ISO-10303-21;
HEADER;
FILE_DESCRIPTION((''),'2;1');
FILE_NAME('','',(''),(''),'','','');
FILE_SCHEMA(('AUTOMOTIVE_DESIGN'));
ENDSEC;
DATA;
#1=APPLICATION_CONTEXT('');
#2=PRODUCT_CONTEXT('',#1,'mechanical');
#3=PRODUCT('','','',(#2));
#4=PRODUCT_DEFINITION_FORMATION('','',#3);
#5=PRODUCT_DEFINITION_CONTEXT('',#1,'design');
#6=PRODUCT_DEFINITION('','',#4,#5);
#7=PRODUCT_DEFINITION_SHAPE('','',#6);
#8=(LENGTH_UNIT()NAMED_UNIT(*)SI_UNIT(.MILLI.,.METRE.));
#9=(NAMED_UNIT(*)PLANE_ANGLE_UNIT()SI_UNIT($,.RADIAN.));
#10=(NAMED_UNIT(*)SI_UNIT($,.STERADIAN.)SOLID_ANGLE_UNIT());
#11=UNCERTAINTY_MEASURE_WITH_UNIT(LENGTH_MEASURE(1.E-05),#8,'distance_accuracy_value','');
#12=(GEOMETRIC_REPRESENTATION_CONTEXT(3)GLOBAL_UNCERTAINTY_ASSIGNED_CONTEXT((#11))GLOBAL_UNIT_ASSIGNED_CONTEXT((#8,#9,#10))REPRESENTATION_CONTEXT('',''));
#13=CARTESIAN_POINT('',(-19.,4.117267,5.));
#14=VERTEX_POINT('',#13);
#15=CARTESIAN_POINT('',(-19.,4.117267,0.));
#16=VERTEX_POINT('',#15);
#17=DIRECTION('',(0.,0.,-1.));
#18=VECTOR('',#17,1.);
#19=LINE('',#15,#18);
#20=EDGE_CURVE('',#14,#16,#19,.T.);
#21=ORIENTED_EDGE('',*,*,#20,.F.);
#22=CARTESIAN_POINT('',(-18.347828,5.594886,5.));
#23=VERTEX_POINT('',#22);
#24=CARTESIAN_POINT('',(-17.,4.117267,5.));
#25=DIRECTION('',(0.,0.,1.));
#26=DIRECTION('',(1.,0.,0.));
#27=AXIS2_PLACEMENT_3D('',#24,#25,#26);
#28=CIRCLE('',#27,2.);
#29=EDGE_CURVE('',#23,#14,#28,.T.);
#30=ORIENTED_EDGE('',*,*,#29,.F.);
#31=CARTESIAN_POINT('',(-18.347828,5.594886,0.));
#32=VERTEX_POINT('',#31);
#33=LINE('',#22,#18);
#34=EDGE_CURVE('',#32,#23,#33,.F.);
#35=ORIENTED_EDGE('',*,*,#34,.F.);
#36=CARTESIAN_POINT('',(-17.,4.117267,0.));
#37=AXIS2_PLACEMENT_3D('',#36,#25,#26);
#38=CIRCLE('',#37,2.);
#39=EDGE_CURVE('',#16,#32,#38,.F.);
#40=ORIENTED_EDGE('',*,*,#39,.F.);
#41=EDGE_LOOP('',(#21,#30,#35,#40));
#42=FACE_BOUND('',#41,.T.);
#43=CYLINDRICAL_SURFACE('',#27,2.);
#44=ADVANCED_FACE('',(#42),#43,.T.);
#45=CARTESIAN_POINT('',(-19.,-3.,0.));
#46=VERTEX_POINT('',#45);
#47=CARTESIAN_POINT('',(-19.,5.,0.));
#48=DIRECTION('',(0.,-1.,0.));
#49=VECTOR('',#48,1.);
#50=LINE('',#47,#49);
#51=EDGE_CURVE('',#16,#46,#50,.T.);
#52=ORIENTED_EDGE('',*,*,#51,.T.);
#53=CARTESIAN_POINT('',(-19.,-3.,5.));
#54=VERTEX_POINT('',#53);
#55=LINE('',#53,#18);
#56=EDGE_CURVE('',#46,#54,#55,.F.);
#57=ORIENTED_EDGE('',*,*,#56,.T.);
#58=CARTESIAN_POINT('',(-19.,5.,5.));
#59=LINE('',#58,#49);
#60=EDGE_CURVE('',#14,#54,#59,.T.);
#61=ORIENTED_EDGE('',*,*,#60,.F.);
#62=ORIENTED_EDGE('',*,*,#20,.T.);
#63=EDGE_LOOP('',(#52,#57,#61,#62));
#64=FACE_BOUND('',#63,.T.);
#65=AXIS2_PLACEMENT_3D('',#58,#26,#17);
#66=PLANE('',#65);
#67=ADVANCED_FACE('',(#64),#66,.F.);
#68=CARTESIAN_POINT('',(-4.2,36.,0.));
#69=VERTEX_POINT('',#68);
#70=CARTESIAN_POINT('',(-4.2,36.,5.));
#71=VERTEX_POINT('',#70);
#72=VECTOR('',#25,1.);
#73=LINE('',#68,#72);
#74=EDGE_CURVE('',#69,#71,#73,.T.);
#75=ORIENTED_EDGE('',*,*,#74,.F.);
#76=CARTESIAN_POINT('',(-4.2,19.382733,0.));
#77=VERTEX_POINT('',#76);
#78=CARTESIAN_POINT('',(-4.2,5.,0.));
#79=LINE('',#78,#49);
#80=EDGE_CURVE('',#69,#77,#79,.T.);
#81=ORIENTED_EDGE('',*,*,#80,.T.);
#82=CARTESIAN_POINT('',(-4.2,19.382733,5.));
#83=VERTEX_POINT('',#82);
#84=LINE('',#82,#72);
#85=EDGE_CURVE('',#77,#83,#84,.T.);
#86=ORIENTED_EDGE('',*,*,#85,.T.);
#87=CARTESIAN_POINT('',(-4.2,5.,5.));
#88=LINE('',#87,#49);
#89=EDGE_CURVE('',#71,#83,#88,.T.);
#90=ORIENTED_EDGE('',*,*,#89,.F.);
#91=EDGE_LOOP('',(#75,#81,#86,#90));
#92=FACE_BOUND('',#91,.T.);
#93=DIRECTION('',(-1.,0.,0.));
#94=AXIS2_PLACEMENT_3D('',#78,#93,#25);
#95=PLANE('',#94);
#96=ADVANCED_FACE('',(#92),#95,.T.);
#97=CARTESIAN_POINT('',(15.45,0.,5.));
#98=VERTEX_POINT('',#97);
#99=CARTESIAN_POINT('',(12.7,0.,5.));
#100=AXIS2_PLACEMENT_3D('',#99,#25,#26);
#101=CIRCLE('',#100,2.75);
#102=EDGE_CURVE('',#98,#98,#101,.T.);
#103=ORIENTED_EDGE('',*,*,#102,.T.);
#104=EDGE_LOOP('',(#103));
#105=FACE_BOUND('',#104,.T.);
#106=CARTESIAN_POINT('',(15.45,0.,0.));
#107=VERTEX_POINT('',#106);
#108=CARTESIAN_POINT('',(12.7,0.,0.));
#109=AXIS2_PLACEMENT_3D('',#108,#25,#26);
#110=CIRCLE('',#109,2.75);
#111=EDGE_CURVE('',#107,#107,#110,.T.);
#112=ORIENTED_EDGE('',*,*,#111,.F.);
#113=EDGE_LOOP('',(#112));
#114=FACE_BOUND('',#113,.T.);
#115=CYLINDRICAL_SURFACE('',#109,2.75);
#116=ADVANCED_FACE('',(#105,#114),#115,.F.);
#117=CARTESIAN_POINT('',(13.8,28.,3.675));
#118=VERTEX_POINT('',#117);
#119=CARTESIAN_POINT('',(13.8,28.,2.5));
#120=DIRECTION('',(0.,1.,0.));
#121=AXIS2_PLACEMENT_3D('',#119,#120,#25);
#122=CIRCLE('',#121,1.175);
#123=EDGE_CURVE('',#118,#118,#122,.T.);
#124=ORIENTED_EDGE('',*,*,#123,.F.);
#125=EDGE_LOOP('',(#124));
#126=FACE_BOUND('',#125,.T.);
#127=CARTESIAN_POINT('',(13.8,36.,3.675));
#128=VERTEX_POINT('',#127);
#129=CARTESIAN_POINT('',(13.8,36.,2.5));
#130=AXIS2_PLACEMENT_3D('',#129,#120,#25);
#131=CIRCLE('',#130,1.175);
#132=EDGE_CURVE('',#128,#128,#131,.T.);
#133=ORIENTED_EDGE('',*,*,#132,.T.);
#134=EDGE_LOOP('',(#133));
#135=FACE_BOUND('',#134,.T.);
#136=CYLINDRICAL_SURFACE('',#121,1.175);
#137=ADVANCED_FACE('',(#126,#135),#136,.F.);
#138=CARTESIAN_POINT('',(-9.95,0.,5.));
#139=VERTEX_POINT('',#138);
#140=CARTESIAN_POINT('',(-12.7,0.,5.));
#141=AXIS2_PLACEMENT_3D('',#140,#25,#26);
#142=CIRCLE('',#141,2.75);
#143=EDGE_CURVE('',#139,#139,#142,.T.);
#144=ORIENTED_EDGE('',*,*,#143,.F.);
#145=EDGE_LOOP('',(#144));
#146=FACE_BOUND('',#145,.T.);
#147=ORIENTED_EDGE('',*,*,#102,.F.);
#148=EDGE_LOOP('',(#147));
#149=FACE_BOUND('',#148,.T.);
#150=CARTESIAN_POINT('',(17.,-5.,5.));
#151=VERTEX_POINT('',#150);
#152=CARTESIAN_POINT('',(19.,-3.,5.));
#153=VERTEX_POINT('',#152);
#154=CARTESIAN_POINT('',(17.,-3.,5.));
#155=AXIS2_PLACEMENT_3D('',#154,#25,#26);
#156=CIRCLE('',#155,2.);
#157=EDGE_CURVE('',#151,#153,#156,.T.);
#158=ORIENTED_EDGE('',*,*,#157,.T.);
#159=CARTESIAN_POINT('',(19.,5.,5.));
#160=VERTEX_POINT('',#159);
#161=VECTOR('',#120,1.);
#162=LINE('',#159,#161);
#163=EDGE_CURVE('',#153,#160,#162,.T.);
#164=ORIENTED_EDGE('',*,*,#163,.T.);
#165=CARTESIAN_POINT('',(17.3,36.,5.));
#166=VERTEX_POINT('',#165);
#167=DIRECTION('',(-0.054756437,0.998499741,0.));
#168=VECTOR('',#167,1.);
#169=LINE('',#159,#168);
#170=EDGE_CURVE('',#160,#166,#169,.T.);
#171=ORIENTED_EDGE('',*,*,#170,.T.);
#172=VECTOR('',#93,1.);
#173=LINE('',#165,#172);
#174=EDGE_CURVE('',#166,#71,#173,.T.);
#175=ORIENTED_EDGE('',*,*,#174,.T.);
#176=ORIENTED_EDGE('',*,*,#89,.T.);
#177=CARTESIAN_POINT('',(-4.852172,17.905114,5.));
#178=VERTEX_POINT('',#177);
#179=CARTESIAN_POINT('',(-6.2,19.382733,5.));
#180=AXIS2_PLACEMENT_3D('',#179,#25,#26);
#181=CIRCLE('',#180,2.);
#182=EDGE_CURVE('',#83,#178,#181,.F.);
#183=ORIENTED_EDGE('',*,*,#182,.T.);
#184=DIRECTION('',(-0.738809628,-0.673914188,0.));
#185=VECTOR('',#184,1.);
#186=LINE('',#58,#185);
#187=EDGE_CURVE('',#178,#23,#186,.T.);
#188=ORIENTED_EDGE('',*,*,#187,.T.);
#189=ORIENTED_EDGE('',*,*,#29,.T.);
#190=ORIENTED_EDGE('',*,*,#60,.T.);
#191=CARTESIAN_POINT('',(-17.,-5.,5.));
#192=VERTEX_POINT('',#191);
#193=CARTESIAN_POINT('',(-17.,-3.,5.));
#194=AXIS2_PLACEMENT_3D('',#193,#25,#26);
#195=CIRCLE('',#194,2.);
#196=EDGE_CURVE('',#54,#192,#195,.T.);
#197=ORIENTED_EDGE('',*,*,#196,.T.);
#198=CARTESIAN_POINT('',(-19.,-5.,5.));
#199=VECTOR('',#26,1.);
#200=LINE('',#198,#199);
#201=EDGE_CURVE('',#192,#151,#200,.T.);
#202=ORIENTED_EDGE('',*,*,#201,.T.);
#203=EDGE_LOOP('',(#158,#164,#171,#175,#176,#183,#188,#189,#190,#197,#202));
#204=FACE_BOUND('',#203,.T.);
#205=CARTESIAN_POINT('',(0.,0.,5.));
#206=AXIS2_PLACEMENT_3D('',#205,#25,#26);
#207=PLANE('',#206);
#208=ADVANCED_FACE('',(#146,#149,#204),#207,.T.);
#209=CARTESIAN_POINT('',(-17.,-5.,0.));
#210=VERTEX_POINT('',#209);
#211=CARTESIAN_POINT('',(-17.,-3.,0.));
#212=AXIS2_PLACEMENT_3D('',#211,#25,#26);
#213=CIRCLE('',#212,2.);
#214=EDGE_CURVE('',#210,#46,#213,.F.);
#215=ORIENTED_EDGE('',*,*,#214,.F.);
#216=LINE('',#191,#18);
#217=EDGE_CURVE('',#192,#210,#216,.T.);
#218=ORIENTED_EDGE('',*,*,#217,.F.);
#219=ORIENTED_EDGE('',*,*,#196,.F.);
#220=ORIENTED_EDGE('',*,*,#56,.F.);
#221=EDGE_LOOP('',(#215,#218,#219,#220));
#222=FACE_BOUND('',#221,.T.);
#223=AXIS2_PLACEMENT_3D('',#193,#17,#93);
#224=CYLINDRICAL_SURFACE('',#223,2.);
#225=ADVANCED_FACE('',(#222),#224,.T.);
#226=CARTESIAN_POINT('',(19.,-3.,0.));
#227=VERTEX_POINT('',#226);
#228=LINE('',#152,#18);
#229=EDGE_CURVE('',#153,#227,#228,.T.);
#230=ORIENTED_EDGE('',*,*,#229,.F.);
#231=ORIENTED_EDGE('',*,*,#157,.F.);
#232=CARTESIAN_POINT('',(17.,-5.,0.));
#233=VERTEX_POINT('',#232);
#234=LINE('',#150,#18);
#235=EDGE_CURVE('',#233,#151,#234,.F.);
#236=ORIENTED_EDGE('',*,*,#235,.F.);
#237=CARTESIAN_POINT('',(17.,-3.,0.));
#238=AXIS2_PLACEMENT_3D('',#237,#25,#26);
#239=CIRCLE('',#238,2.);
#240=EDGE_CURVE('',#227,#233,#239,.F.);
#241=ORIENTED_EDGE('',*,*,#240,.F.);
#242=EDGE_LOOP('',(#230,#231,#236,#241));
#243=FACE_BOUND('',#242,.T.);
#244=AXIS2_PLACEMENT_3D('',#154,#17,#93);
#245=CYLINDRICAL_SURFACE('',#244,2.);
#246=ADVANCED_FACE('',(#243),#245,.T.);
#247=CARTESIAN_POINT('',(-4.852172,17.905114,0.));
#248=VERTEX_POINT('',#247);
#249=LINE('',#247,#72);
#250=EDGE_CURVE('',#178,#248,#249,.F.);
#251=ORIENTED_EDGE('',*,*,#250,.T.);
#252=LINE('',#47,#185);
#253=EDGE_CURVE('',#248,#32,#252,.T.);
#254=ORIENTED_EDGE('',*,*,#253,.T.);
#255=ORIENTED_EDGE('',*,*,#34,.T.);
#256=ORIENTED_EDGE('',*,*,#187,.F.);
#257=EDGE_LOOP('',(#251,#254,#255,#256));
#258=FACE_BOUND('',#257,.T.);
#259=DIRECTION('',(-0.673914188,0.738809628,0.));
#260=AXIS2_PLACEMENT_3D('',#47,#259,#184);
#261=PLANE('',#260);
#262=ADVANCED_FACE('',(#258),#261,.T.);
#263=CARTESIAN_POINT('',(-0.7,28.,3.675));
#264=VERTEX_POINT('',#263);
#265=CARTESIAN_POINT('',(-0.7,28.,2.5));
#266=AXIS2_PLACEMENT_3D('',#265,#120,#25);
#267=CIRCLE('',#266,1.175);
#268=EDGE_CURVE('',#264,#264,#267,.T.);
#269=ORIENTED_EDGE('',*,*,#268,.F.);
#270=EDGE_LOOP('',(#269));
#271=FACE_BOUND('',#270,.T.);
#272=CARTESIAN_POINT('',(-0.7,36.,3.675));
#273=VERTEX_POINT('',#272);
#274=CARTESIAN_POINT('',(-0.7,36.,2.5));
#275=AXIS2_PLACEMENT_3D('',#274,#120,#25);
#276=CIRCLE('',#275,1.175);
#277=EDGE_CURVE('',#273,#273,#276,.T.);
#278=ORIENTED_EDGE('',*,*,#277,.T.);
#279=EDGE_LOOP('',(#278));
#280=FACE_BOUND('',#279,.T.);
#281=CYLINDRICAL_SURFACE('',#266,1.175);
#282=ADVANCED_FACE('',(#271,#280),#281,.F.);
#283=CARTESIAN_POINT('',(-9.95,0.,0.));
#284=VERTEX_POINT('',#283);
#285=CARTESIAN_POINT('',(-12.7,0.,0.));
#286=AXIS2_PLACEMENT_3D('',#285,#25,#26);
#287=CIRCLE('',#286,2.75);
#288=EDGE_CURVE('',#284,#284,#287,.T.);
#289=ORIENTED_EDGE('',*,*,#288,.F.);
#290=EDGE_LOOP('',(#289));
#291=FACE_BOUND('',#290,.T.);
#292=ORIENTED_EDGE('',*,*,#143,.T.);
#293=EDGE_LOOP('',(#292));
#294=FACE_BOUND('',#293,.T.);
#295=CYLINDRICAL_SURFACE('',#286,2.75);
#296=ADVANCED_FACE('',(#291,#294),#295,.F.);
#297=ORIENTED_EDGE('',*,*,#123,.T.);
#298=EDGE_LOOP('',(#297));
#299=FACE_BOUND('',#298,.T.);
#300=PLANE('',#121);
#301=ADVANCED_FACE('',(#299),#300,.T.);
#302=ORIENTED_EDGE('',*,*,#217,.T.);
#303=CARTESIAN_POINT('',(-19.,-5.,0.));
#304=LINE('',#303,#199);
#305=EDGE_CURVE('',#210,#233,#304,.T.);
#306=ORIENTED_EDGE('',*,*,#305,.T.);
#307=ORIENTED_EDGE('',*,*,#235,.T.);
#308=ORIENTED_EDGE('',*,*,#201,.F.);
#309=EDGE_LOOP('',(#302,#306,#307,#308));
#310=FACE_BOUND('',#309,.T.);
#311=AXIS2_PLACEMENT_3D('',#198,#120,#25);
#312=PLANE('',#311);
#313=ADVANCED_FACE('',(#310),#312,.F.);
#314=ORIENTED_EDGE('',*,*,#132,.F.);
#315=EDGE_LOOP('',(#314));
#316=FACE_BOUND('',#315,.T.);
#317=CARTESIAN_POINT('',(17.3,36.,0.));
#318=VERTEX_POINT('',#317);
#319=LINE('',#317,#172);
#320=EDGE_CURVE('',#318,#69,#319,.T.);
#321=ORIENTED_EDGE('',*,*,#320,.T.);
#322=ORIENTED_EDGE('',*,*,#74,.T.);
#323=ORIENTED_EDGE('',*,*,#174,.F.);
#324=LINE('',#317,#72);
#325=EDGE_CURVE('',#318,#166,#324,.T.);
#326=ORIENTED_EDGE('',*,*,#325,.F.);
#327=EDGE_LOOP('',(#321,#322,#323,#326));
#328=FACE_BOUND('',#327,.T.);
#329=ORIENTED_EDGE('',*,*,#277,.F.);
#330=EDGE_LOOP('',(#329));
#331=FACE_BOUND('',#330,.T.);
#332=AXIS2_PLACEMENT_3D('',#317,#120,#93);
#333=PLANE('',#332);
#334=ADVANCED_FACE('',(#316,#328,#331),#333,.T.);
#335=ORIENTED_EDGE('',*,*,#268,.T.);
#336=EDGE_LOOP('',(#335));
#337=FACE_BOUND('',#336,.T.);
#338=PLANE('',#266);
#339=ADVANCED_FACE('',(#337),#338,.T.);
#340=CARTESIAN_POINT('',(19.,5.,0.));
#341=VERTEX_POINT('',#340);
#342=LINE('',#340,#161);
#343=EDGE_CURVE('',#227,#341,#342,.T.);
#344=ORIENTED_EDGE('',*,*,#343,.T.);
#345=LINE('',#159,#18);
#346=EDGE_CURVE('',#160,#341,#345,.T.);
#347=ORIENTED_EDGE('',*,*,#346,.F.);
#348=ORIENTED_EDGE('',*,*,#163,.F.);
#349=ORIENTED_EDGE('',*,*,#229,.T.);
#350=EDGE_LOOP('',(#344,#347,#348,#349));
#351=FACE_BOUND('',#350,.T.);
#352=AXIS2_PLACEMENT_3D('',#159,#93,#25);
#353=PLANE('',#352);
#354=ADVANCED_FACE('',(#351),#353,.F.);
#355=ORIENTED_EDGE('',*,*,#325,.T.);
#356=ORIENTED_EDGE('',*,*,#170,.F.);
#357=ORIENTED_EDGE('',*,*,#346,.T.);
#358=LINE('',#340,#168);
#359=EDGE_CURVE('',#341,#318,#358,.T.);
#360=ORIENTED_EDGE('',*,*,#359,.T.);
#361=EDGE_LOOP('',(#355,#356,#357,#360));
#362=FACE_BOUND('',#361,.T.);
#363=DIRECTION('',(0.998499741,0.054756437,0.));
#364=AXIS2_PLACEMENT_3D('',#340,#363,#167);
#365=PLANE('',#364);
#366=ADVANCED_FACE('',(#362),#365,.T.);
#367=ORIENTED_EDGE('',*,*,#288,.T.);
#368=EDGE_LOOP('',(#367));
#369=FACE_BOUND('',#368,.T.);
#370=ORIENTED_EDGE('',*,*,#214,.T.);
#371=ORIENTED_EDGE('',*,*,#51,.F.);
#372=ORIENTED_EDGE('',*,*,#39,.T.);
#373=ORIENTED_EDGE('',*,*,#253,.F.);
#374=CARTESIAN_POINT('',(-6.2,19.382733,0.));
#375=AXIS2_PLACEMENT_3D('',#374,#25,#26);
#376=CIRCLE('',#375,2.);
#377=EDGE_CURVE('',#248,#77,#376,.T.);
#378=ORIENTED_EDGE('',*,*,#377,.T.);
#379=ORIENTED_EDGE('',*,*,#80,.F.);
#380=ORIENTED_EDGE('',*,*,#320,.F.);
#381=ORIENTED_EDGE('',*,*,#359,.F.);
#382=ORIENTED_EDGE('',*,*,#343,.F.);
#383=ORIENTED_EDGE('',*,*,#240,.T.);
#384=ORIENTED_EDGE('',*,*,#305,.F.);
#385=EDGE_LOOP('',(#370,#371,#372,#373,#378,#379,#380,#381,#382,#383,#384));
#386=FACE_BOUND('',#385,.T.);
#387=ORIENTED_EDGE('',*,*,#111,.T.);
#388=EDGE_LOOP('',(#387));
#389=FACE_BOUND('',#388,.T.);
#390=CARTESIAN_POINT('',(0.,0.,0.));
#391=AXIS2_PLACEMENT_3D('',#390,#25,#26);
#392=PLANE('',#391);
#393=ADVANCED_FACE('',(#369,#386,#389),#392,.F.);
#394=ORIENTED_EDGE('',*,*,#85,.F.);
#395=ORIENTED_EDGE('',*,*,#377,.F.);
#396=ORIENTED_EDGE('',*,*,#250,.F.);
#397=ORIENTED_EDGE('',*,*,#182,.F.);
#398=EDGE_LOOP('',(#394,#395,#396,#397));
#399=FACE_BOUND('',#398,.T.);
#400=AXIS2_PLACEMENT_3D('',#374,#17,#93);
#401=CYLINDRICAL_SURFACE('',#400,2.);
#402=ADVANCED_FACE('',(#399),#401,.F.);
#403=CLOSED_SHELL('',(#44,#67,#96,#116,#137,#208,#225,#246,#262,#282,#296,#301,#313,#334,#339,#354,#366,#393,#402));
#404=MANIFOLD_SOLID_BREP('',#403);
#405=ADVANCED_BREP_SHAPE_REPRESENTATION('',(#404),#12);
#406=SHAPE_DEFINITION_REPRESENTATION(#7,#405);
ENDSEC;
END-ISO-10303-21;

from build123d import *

# Parameters (mm, degrees)
SKETCH1_W           = 38
SKETCH1_H           = 10
BOSS_EXTRUDE1_DEPTH = 5
SKETCH2_R           = 2.75
CUT_EXTRUDE1_DEPTH  = 5
SKETCH3_W           = 21.5
SKETCH3_H           = 31
BOSS_EXTRUDE2_DEPTH = 5
BOSS_EXTRUDE6_DEPTH = 5
SKETCH10_R          = 1.175
CUT_EXTRUDE4_DEPTH  = 8
FILLET2_R           = 2
BOSS_EXTRUDE7_DEPTH = 5


with BuildPart() as part:
    # Sketch1 → Boss-Extrude1 (new body)
    with BuildSketch(Plane.XY):
        Rectangle(SKETCH1_W, SKETCH1_H)
    extrude(amount=BOSS_EXTRUDE1_DEPTH)

    # Sketch2 → Cut-Extrude1 (cut)
    with BuildSketch(Plane.XY.offset(5)):
        with Locations((-12.7, 0)):
            Circle(SKETCH2_R)
        with Locations((12.7, 0)):
            Circle(SKETCH2_R)
    extrude(amount=-CUT_EXTRUDE1_DEPTH, mode=Mode.SUBTRACT)

    # Sketch3 → Boss-Extrude2 (add)
    with BuildSketch(Plane.XY.offset(5)):
        with Locations((6.55, 20.5)):
            Rectangle(SKETCH3_W, SKETCH3_H)
    extrude(amount=-BOSS_EXTRUDE2_DEPTH)

    # Sketch8 → Boss-Extrude6 (add)
    with BuildSketch(Plane.XY.offset(5)):
        Polygon((-4.2, 5), (-19, 5), (-4.2, 18.5), align=None)
    extrude(amount=-BOSS_EXTRUDE6_DEPTH)

    # Sketch10 → Cut-Extrude4 (cut)
    with BuildSketch(Plane(origin=(0, 36, 0), x_dir=(1, 0, 0), z_dir=(0, 1, 0))):
        with Locations(Location((-0.7, -2.5, 0), (0, 0, 270))):
            Circle(SKETCH10_R)
        with Locations(Location((13.8, -2.5, 0), (0, 0, 270))):
            Circle(SKETCH10_R)
    extrude(amount=-CUT_EXTRUDE4_DEPTH, mode=Mode.SUBTRACT)

    # Fillet2
    fillet2_edges = [part.edges().sort_by_distance(p)[0] for p in [
        (-4.2, 18.5, 2.5),
        (19, -5, 2.5),
        (-19, -5, 2.5),
        (-19, 5, 2.5),
    ]]
    fillet(fillet2_edges, radius=FILLET2_R)

    # Sketch11 → Boss-Extrude7 (add)
    with BuildSketch(Plane.XY.offset(5)):
        Polygon((19, 5), (17.3, 36), (17.3, 5), align=None)
    extrude(amount=-BOSS_EXTRUDE7_DEPTH)


solid = part.part
